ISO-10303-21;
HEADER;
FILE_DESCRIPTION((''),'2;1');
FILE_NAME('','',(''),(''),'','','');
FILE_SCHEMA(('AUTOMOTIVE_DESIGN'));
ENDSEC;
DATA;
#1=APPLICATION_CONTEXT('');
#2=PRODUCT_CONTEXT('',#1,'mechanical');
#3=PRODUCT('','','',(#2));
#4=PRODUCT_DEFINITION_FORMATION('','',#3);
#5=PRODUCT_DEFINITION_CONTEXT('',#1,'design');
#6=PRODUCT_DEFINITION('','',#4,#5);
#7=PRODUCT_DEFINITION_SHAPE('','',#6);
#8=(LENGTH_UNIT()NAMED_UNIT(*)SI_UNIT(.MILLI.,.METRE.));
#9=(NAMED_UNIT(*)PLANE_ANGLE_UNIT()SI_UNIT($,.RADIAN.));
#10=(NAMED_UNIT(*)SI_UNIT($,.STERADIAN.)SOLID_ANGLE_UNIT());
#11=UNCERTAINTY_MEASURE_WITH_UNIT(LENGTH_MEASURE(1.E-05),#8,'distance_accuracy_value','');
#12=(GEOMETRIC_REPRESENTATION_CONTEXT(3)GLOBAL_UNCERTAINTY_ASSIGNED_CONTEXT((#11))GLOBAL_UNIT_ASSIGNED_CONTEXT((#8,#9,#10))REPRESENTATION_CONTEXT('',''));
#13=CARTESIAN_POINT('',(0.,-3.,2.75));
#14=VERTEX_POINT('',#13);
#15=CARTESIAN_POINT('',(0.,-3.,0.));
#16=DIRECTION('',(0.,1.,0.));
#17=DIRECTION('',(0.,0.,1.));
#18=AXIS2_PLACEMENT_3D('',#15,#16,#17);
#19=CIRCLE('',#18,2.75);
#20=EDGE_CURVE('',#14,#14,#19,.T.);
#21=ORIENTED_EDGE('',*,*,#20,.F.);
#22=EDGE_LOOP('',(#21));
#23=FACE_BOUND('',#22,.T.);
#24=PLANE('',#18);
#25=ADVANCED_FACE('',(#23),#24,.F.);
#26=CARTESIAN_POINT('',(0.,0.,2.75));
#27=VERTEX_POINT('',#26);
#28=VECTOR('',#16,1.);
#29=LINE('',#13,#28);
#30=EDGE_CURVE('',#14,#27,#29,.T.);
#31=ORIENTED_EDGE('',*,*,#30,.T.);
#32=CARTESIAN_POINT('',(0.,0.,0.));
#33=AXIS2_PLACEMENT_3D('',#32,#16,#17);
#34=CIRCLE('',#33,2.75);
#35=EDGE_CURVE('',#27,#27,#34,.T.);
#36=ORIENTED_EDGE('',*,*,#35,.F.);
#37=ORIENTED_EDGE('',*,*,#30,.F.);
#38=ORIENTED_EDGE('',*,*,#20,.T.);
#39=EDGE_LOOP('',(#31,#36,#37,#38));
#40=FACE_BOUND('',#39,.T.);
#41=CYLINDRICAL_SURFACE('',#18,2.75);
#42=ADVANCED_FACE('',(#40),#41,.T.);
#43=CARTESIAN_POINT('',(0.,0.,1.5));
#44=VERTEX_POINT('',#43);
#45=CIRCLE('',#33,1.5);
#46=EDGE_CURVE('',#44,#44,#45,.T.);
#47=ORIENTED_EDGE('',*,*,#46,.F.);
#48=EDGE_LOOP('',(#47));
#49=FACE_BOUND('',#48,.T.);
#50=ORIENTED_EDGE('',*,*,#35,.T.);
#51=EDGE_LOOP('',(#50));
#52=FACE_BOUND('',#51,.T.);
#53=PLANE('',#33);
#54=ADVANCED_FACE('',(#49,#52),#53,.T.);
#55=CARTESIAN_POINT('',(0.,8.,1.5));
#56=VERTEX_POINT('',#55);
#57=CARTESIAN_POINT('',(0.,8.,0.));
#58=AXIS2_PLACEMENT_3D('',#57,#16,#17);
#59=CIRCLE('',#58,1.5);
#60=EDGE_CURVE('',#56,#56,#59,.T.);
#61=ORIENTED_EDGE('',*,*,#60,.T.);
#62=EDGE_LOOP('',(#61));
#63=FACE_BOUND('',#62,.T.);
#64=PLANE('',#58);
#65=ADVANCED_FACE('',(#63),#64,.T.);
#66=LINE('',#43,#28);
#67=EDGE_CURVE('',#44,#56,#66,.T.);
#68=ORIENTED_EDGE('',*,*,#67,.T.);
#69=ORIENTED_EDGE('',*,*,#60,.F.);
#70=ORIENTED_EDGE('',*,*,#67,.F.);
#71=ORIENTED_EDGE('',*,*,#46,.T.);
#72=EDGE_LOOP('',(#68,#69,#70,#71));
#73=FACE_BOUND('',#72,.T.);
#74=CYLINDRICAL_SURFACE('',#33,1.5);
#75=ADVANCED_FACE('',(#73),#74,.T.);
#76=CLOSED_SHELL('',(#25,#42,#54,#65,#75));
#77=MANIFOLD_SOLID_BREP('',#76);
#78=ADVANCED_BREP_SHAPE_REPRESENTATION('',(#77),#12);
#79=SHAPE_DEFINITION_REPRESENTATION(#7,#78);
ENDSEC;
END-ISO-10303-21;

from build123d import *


with BuildPart() as part:
    # Sketch → Revolution (revolve)
    with BuildSketch(Plane.YZ):
        Polygon((-3, 0), (-3, 2.75), (0, 2.75), (0, 1.5), (8, 1.5), (8, 0), align=None)
    revolve(axis=Axis((0, 0, 0), (0, 1, 0)))


solid = part.part
